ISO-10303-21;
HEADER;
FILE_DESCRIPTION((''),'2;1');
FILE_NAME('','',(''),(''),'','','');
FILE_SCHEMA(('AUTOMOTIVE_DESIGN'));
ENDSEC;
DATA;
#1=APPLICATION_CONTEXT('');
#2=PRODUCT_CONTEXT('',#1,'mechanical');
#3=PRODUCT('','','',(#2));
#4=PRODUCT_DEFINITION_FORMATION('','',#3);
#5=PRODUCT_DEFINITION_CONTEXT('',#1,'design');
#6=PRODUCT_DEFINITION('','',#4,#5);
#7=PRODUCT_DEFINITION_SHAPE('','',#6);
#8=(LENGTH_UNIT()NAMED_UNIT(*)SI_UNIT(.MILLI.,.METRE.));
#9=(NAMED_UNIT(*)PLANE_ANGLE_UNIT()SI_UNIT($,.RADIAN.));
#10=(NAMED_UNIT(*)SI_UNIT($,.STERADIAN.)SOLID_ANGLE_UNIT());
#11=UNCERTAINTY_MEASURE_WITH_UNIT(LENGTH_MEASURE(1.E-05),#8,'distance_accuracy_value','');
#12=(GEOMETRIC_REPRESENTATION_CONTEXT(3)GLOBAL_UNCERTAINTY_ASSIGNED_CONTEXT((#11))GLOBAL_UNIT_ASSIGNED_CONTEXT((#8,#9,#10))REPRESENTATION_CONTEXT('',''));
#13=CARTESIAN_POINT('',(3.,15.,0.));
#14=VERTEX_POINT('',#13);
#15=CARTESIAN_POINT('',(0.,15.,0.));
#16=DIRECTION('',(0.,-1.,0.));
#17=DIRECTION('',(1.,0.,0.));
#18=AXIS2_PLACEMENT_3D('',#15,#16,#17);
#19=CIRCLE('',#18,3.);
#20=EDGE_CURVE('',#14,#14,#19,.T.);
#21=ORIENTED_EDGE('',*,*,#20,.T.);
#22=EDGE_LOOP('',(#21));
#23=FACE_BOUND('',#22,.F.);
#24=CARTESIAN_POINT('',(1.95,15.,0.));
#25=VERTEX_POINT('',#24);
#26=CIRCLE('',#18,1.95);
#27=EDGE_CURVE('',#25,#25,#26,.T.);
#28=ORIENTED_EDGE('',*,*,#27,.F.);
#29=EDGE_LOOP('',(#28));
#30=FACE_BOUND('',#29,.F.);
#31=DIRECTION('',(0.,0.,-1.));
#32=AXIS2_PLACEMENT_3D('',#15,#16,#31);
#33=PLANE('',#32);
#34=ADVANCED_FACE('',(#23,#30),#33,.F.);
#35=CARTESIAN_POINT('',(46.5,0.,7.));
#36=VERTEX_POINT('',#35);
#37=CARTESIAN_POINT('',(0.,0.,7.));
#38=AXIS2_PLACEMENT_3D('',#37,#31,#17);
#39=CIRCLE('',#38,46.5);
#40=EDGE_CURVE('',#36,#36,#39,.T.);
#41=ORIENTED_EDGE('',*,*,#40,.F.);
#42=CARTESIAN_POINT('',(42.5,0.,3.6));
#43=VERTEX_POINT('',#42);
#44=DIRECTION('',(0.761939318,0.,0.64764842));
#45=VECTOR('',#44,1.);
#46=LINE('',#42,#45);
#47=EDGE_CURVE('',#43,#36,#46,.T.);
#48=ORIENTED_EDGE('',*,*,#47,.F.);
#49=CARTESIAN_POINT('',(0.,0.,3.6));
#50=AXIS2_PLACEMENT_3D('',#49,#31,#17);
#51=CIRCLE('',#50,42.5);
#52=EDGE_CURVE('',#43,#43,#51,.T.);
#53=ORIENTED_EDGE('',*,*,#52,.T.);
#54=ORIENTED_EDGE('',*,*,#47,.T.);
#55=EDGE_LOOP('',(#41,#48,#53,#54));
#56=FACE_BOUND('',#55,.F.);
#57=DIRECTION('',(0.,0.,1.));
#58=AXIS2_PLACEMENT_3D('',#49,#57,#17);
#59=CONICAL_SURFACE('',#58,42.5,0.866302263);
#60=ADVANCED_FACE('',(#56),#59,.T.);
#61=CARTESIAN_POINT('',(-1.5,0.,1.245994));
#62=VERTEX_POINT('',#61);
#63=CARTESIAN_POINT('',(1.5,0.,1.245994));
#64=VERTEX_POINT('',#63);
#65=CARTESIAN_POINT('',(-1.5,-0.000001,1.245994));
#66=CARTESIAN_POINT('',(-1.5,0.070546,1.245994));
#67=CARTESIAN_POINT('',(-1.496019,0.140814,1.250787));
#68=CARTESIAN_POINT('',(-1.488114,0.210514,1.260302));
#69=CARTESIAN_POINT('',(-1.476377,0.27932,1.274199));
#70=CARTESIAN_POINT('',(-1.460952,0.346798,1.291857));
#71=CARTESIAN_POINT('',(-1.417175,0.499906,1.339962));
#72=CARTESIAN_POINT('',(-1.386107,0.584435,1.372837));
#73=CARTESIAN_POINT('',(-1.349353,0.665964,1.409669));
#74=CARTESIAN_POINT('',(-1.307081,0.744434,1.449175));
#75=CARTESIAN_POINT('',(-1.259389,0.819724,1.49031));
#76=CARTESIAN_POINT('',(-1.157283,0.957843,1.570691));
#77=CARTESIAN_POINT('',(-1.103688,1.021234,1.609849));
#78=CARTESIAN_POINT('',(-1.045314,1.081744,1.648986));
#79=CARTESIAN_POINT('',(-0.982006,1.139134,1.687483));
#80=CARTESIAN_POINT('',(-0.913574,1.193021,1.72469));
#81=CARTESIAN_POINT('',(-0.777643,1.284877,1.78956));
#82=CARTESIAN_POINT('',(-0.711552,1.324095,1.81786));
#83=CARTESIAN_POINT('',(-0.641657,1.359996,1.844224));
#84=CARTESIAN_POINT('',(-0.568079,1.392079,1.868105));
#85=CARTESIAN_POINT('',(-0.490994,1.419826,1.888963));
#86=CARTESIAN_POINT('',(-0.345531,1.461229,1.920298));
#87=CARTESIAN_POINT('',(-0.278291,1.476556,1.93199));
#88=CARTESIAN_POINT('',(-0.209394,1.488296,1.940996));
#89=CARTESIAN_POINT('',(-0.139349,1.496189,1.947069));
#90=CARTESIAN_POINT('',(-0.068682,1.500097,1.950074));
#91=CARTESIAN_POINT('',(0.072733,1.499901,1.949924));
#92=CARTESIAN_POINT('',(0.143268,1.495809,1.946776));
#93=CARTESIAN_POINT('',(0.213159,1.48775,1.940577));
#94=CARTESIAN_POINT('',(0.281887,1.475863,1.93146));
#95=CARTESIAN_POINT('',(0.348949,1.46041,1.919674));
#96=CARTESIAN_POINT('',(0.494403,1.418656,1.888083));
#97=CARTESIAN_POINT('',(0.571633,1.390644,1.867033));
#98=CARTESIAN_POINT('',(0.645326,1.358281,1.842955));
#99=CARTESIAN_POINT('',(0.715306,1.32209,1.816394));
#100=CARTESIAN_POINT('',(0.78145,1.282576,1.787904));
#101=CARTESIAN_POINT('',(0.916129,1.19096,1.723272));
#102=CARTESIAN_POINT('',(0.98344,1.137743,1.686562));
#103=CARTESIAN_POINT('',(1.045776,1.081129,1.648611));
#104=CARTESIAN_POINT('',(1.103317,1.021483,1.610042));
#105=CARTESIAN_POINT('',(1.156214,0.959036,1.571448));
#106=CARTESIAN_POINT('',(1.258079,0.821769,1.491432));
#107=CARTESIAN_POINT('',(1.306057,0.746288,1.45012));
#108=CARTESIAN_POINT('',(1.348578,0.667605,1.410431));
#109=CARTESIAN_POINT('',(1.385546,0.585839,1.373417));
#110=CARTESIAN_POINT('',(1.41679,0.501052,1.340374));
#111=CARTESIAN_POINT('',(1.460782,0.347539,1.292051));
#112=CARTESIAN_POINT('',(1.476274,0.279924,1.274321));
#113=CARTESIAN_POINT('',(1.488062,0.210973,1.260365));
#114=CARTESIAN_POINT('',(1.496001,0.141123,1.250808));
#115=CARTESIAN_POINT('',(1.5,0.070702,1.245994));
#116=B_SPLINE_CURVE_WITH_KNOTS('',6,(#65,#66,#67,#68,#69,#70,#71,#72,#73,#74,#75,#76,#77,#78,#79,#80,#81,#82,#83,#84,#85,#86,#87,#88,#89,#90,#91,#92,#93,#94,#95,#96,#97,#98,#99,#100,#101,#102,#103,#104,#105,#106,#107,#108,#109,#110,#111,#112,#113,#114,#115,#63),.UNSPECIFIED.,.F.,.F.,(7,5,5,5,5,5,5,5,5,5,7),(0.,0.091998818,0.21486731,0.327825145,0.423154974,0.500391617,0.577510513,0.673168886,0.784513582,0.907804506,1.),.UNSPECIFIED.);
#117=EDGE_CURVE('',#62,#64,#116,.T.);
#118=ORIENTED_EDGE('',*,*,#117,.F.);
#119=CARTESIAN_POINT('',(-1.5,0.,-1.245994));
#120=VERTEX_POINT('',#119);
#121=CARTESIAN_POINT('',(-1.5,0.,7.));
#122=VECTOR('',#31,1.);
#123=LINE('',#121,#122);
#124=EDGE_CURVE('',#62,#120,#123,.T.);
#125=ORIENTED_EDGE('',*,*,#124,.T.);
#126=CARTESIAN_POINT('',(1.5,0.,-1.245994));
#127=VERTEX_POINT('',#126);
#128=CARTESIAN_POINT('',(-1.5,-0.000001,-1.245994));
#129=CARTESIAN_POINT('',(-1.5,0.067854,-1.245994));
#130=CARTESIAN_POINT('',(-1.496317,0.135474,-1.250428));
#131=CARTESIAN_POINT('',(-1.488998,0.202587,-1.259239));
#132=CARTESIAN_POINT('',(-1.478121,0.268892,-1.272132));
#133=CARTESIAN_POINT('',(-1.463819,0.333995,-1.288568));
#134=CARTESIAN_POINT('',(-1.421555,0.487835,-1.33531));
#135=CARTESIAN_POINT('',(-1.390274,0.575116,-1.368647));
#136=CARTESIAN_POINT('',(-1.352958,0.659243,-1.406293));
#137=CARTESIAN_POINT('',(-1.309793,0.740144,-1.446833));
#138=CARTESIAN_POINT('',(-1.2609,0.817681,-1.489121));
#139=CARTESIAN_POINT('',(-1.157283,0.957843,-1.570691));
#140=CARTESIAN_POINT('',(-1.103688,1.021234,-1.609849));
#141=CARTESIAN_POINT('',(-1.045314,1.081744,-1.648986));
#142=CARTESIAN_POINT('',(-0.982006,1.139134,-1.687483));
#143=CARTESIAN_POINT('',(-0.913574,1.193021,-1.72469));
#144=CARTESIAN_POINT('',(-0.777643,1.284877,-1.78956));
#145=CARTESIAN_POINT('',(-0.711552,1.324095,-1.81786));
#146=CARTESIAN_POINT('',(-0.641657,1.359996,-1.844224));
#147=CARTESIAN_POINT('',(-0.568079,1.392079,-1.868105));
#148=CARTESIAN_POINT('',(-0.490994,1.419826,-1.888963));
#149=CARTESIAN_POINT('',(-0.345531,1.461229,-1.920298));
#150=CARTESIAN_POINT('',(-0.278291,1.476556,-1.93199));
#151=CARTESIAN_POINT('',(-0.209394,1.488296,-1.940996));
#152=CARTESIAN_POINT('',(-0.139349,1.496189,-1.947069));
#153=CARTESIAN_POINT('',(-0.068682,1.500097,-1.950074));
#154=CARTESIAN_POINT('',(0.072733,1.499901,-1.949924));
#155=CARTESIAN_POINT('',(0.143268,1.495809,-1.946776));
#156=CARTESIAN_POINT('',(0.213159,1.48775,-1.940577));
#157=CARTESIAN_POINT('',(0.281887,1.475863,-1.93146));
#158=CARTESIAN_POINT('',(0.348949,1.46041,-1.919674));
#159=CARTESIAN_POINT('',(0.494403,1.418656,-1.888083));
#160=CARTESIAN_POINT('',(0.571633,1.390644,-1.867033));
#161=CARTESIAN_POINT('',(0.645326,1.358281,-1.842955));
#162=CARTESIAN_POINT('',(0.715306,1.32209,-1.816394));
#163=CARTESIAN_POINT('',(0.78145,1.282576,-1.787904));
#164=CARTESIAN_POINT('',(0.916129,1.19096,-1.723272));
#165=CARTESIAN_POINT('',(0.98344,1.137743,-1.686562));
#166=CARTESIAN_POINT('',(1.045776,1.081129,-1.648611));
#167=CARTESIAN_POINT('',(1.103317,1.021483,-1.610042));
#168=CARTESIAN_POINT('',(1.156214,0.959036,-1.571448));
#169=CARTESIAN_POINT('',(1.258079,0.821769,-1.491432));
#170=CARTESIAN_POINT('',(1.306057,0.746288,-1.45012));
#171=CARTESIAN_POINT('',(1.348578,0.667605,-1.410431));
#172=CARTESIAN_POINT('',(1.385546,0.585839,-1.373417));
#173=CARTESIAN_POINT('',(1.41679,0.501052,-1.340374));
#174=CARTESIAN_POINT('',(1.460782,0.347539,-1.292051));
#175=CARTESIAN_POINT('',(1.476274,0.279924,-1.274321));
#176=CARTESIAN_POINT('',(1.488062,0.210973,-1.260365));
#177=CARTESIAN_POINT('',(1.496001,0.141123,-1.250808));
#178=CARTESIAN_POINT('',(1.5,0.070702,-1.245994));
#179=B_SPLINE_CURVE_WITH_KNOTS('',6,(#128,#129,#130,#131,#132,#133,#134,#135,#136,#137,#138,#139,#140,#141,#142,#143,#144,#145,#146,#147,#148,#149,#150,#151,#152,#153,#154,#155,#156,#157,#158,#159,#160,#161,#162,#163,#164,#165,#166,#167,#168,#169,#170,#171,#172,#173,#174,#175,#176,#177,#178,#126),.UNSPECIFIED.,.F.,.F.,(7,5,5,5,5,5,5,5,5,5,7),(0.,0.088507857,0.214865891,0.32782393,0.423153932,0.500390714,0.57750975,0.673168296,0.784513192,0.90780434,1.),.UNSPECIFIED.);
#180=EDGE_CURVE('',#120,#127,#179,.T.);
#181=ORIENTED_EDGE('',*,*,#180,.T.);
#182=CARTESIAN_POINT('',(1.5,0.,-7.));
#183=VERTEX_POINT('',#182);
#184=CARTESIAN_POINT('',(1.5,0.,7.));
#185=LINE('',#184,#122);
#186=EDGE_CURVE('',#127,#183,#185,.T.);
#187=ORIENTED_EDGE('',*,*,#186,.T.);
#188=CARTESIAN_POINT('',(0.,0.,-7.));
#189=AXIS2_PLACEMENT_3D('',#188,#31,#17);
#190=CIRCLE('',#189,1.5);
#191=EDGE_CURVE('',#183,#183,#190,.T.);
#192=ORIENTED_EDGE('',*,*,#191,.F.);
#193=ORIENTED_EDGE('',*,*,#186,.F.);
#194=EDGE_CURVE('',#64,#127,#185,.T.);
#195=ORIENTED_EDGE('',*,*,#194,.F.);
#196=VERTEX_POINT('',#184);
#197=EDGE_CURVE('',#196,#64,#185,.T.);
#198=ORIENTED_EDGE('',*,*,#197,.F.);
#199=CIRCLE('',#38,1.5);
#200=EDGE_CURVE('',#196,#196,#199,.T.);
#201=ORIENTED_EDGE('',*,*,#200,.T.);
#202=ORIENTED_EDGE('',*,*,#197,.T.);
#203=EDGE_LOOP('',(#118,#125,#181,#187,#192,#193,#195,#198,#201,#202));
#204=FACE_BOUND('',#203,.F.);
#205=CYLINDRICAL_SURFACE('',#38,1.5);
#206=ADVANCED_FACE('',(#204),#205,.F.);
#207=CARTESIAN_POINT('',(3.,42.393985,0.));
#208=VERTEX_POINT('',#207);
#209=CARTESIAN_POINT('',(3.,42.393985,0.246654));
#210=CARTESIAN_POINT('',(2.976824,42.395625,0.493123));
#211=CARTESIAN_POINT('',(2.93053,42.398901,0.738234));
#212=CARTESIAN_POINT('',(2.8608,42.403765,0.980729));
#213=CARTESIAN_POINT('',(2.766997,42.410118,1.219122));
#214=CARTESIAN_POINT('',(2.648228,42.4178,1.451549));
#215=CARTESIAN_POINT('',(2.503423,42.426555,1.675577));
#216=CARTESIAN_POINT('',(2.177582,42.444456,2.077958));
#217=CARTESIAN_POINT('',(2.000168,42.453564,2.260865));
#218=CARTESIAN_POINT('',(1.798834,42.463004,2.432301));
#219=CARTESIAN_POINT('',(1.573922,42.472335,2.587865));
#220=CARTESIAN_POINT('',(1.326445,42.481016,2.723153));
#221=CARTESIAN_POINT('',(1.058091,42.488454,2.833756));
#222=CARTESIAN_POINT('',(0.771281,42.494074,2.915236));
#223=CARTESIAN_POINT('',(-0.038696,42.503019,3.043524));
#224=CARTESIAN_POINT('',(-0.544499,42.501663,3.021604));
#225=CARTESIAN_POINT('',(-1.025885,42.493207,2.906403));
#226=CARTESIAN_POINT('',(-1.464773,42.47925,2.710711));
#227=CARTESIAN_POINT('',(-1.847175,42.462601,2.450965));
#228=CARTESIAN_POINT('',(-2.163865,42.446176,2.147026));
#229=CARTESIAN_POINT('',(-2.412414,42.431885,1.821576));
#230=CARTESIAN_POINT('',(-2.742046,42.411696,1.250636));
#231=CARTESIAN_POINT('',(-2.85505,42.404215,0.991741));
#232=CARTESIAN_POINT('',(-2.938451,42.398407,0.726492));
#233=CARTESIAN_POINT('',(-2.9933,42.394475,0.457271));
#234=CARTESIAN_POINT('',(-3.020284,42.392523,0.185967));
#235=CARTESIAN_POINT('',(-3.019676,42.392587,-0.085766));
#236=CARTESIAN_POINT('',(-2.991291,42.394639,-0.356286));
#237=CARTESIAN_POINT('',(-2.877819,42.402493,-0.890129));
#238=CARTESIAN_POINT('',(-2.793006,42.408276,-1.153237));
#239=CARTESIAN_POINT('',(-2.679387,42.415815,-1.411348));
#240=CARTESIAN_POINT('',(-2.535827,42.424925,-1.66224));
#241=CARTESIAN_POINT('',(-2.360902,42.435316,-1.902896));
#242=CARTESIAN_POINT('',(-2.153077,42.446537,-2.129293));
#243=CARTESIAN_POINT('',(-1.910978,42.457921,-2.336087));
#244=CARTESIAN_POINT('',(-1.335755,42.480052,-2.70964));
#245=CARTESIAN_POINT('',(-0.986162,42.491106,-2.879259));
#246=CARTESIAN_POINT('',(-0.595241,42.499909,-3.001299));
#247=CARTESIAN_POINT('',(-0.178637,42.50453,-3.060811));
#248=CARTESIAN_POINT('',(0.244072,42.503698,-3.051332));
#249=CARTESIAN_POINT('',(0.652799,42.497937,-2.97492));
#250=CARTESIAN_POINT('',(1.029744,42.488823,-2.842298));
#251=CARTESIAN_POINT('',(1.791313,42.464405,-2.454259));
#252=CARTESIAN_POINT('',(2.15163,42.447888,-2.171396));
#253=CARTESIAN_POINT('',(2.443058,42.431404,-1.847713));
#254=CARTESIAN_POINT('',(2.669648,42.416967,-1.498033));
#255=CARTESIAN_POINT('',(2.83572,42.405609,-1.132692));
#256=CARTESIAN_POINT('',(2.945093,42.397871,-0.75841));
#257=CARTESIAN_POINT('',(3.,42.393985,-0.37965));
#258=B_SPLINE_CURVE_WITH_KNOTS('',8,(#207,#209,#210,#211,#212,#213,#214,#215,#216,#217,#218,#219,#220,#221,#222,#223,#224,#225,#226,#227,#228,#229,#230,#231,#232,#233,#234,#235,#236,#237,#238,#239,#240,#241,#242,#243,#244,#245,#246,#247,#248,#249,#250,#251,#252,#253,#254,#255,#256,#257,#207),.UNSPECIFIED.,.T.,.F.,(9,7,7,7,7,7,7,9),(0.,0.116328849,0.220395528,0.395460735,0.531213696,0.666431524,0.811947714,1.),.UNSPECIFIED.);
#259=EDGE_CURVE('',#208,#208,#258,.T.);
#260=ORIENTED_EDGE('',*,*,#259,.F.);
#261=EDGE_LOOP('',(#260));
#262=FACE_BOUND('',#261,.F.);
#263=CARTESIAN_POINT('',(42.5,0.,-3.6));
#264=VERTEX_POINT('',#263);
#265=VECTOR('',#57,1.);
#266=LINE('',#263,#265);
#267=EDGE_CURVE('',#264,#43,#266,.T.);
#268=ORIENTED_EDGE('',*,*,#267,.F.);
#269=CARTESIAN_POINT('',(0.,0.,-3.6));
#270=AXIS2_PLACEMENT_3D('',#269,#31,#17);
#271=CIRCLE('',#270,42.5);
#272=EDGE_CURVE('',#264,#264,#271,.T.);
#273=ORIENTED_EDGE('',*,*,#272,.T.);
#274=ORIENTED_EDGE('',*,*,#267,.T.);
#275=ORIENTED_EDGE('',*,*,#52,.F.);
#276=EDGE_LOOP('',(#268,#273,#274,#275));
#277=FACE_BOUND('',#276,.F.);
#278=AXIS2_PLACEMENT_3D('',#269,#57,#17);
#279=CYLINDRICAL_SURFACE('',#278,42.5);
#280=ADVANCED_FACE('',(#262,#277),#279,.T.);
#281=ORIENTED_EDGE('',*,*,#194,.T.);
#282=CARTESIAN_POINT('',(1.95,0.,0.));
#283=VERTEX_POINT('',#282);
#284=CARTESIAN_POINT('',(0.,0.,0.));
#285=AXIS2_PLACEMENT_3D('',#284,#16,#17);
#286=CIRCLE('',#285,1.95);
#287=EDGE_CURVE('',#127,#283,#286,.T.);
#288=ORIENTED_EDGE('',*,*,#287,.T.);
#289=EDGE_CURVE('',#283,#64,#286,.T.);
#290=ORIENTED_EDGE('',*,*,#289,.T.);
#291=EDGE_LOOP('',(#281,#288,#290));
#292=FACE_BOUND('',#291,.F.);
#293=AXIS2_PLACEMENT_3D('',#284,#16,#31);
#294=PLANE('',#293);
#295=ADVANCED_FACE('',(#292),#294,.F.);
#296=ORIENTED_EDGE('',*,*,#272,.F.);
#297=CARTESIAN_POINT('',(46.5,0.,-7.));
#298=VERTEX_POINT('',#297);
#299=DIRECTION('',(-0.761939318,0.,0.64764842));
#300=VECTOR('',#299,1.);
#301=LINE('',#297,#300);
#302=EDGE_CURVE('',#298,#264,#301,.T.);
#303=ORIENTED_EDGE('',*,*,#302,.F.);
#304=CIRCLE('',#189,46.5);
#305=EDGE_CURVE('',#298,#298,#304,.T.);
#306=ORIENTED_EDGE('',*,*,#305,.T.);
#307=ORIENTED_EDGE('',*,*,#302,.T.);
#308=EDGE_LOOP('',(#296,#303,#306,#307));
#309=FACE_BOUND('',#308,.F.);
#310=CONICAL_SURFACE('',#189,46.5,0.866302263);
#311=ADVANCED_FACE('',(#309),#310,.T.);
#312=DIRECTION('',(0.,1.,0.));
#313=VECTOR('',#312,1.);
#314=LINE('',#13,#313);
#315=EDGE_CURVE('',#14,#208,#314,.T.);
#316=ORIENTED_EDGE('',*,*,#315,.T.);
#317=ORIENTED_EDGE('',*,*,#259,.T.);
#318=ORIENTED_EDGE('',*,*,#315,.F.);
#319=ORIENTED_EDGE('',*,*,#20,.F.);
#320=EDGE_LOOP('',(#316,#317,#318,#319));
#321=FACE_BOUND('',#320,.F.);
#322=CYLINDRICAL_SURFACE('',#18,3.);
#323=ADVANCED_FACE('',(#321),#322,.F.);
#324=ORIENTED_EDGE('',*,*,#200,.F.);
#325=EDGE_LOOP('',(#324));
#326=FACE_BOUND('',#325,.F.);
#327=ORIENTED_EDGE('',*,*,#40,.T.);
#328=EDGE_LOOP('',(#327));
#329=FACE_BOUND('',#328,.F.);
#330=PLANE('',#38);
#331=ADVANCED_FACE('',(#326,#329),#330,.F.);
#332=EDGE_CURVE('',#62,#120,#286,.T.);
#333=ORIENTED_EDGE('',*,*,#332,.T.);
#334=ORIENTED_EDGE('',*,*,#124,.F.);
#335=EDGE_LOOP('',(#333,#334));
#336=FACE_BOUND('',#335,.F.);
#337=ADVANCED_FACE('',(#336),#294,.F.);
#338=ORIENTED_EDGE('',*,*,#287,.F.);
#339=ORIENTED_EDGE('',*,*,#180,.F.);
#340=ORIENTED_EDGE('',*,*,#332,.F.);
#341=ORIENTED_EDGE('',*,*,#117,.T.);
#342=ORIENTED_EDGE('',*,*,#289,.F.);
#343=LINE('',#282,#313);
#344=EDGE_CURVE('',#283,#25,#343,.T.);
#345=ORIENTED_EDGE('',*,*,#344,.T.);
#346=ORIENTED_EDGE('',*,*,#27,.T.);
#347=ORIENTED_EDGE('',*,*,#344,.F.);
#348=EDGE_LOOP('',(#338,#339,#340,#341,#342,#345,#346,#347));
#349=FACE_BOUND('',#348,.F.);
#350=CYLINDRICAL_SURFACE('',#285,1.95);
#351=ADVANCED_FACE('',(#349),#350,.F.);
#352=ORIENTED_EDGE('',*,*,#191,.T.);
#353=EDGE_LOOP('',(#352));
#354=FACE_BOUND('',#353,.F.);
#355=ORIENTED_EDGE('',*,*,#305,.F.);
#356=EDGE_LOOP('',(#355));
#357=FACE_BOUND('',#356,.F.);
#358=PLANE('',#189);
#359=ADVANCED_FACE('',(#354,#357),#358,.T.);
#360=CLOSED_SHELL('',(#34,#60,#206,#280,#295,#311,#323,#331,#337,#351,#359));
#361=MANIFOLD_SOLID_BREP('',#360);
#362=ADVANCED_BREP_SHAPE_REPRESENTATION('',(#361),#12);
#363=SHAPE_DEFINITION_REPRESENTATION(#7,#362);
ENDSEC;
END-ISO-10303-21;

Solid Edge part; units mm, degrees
sketch "Sketch1" plane through (0, 0, 0) normal (0, -1, 0) x (1, 0, 0)
  line L0 (1.5, -7) -> (46.5, -7)
  line L1 (46.5, -7) -> (42.5, -3.6)
  line L2 (42.5, -3.6) -> (42.5, 3.6)
  line L3 (42.5, 3.6) -> (46.5, 7)
  line L4 (46.5, 7) -> (1.5, 7)
  line L5 (1.5, 7) -> (1.5, -7)
  dimension "D1" = 1.5
  dimension "D2" = 42.5
  dimension "D3" = 4
  dimension "D4" = 7.2
  dimension "D5" = 14
revolve "RevolvedProtrusion1" add sketch "Sketch1" angle 360 about axis through (0, 0, 54) along (0, 0, -1)
fillet "Round1" [suppressed]
sketch "Sketch2" plane through (0, 0, 0) normal (0, -1, 0) x (1, 0, 0)
  circle A0 centre (0, 0) radius 1.95
  dimension "D1" = 3.9
extrude "Ausschnitt_1" cut sketch "Sketch2" against normal blind 55
extrude "Ausschnitt_2" [suppressed]
extrude "HALF" [suppressed]
sketch "Sketch3" plane through (0, 15, 0) normal (0, -1, 0) x (1, 0, 0)
  circle A0 centre (0, 0) radius 3
extrude "Ausschnitt_4" cut sketch "Sketch3" against normal blind 223
